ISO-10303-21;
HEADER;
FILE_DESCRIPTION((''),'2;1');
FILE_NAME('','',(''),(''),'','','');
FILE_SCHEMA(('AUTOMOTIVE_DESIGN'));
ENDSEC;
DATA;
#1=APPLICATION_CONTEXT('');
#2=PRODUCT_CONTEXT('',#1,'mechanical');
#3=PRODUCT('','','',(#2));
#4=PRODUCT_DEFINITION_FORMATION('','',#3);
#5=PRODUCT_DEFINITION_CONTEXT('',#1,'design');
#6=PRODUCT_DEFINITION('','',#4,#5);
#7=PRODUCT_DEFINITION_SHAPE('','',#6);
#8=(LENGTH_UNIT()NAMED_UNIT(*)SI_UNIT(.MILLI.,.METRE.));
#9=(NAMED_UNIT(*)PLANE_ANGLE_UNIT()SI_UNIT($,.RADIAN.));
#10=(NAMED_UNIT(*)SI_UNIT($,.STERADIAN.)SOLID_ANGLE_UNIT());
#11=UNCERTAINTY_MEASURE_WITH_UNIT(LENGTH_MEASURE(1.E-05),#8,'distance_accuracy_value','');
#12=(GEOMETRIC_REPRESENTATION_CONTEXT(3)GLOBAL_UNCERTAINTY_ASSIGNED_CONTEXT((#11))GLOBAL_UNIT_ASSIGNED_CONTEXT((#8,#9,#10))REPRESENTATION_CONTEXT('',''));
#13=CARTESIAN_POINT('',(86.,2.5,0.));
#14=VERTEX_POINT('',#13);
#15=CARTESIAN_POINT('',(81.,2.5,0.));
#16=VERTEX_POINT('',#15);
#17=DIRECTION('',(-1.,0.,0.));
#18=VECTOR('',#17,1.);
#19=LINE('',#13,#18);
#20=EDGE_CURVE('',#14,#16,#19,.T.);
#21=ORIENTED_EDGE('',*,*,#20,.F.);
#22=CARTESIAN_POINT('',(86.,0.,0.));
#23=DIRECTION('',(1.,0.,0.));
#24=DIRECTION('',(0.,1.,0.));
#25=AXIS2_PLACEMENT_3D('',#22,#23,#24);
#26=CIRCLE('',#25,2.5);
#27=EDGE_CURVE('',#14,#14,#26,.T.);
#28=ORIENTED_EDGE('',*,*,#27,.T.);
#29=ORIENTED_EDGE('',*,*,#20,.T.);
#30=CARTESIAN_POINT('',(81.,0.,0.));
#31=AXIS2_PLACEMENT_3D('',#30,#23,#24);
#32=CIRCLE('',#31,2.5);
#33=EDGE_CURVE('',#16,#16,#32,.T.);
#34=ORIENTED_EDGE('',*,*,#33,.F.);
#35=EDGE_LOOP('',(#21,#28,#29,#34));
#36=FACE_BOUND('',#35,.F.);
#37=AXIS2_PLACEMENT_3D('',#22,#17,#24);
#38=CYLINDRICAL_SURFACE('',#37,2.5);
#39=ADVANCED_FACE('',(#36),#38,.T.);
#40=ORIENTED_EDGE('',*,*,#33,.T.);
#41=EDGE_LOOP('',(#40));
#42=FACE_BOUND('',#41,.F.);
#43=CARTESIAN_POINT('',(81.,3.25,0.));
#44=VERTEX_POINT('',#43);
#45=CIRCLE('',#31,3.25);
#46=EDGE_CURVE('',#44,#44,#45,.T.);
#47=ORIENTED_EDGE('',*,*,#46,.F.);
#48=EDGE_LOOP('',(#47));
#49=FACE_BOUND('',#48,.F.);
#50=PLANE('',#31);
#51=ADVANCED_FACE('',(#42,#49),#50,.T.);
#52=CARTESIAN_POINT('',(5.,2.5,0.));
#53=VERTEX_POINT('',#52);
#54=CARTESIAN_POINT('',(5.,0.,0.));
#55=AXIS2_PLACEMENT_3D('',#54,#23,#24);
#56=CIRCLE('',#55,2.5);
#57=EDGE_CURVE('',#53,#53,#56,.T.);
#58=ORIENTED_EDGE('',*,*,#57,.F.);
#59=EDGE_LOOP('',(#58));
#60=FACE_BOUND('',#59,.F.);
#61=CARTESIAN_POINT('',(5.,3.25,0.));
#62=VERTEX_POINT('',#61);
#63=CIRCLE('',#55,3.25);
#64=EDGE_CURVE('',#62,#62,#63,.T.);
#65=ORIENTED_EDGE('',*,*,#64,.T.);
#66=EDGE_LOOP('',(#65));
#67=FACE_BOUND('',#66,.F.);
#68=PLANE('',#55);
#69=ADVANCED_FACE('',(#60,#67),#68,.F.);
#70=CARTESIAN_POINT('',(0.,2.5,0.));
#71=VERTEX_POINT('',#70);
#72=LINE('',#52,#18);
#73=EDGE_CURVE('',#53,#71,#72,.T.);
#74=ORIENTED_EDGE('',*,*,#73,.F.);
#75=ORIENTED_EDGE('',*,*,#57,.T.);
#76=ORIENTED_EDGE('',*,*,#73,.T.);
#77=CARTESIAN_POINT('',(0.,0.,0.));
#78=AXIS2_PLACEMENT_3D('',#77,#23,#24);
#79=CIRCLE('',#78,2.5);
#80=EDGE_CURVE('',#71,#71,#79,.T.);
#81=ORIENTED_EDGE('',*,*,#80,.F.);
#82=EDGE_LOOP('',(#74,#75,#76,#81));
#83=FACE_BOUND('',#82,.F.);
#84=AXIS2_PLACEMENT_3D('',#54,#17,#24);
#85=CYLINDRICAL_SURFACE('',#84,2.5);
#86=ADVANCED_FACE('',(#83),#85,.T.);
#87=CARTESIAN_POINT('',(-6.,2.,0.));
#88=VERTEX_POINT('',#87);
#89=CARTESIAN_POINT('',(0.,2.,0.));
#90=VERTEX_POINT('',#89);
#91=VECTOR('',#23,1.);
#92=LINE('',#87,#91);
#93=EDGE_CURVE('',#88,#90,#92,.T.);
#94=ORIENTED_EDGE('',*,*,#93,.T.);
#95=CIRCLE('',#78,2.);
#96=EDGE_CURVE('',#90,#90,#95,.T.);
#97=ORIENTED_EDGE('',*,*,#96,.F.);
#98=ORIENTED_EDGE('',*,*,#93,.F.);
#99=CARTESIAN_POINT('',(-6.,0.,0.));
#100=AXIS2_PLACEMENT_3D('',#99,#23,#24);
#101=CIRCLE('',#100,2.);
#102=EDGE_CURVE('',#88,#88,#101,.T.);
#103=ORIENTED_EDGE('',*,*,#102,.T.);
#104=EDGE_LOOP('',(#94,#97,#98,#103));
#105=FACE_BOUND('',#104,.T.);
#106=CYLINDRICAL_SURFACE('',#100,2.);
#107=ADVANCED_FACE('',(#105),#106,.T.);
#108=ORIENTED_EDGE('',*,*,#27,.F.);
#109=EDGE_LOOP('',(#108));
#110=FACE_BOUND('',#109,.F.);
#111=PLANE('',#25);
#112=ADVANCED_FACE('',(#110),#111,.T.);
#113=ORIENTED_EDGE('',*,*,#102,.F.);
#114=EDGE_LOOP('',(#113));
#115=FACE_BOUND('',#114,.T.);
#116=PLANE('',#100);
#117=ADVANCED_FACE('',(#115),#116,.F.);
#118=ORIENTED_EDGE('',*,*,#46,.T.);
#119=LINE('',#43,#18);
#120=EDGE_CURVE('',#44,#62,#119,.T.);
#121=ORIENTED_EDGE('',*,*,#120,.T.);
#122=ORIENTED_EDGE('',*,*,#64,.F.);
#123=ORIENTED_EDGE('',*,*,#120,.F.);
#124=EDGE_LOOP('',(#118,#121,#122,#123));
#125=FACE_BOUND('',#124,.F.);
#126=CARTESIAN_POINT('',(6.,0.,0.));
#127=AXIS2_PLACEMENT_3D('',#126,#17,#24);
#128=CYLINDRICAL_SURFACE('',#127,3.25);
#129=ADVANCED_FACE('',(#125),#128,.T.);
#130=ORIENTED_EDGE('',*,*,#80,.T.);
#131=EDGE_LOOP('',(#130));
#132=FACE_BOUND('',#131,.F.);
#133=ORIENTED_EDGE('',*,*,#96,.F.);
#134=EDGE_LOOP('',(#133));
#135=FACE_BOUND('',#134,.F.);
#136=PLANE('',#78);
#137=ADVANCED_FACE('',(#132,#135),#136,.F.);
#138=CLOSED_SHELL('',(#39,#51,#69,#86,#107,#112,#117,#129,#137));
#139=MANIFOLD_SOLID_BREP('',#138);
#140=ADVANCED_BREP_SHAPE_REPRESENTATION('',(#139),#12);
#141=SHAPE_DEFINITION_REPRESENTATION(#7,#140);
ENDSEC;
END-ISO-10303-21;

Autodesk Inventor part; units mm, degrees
ref_plane "YZ Plane" through (0, 0, 0) normal (1, 0, 0) x (0, 1, 0)
ref_plane "XZ Plane" through (0, 0, 0) normal (0, 1, 0) x (-1, 0, 0)
ref_plane "XY Plane" through (0, 0, 0) normal (0, 0, 1) x (1, 0, 0)
sketch "Esboço1" plane through (0, 0, 0) normal (0, 0, 1) x (1, 0, 0)
  line L0 (0, 0) -> (-6, 0)
  line L1 (-6, 0) -> (-6, 2)
  line L2 (-6, 2) -> (0, 2)
  line L3 (0, 2) -> (0, 0)
  line L4 (0, 0) -> (5, 0)
  line L5 (5, 0) -> (5, 2.5)
  line L6 (5, 2.5) -> (0, 2.5)
  line L7 (0, 2.5) -> (0, 0)
  line L8 (5, 0) -> (6, 0)
  line L9 (6, 0) -> (6, 3.25)
  line L10 (6, 3.25) -> (5, 3.25)
  line L11 (5, 3.25) -> (5, 0)
  line L12 (6, 0) -> (81, 0)
  line L13 (81, 0) -> (81, 3.25)
  line L14 (81, 3.25) -> (6, 3.25)
  line L15 (6, 3.25) -> (6, 0)
  line L16 (81, 0) -> (86, 0)
  line L17 (86, 0) -> (86, 2.5)
  line L18 (86, 2.5) -> (81, 2.5)
  line L19 (81, 2.5) -> (81, 0)
  dimension "d0" = 6
  dimension "d1" = 2
  dimension "d2" = 5
  dimension "d3" = 2.5
  dimension "d4" = 1
  dimension "d5" = 3.25
  dimension "d6" = 3.25
  dimension "d7" = 75
  dimension "d8" = 5
  dimension "d9" = 2.5
revolve "Revolução1" add sketch "Esboço1" angle 360 about axis through (6, 0, 0) along (1, 0, 0)
properties part number "Eixo"
